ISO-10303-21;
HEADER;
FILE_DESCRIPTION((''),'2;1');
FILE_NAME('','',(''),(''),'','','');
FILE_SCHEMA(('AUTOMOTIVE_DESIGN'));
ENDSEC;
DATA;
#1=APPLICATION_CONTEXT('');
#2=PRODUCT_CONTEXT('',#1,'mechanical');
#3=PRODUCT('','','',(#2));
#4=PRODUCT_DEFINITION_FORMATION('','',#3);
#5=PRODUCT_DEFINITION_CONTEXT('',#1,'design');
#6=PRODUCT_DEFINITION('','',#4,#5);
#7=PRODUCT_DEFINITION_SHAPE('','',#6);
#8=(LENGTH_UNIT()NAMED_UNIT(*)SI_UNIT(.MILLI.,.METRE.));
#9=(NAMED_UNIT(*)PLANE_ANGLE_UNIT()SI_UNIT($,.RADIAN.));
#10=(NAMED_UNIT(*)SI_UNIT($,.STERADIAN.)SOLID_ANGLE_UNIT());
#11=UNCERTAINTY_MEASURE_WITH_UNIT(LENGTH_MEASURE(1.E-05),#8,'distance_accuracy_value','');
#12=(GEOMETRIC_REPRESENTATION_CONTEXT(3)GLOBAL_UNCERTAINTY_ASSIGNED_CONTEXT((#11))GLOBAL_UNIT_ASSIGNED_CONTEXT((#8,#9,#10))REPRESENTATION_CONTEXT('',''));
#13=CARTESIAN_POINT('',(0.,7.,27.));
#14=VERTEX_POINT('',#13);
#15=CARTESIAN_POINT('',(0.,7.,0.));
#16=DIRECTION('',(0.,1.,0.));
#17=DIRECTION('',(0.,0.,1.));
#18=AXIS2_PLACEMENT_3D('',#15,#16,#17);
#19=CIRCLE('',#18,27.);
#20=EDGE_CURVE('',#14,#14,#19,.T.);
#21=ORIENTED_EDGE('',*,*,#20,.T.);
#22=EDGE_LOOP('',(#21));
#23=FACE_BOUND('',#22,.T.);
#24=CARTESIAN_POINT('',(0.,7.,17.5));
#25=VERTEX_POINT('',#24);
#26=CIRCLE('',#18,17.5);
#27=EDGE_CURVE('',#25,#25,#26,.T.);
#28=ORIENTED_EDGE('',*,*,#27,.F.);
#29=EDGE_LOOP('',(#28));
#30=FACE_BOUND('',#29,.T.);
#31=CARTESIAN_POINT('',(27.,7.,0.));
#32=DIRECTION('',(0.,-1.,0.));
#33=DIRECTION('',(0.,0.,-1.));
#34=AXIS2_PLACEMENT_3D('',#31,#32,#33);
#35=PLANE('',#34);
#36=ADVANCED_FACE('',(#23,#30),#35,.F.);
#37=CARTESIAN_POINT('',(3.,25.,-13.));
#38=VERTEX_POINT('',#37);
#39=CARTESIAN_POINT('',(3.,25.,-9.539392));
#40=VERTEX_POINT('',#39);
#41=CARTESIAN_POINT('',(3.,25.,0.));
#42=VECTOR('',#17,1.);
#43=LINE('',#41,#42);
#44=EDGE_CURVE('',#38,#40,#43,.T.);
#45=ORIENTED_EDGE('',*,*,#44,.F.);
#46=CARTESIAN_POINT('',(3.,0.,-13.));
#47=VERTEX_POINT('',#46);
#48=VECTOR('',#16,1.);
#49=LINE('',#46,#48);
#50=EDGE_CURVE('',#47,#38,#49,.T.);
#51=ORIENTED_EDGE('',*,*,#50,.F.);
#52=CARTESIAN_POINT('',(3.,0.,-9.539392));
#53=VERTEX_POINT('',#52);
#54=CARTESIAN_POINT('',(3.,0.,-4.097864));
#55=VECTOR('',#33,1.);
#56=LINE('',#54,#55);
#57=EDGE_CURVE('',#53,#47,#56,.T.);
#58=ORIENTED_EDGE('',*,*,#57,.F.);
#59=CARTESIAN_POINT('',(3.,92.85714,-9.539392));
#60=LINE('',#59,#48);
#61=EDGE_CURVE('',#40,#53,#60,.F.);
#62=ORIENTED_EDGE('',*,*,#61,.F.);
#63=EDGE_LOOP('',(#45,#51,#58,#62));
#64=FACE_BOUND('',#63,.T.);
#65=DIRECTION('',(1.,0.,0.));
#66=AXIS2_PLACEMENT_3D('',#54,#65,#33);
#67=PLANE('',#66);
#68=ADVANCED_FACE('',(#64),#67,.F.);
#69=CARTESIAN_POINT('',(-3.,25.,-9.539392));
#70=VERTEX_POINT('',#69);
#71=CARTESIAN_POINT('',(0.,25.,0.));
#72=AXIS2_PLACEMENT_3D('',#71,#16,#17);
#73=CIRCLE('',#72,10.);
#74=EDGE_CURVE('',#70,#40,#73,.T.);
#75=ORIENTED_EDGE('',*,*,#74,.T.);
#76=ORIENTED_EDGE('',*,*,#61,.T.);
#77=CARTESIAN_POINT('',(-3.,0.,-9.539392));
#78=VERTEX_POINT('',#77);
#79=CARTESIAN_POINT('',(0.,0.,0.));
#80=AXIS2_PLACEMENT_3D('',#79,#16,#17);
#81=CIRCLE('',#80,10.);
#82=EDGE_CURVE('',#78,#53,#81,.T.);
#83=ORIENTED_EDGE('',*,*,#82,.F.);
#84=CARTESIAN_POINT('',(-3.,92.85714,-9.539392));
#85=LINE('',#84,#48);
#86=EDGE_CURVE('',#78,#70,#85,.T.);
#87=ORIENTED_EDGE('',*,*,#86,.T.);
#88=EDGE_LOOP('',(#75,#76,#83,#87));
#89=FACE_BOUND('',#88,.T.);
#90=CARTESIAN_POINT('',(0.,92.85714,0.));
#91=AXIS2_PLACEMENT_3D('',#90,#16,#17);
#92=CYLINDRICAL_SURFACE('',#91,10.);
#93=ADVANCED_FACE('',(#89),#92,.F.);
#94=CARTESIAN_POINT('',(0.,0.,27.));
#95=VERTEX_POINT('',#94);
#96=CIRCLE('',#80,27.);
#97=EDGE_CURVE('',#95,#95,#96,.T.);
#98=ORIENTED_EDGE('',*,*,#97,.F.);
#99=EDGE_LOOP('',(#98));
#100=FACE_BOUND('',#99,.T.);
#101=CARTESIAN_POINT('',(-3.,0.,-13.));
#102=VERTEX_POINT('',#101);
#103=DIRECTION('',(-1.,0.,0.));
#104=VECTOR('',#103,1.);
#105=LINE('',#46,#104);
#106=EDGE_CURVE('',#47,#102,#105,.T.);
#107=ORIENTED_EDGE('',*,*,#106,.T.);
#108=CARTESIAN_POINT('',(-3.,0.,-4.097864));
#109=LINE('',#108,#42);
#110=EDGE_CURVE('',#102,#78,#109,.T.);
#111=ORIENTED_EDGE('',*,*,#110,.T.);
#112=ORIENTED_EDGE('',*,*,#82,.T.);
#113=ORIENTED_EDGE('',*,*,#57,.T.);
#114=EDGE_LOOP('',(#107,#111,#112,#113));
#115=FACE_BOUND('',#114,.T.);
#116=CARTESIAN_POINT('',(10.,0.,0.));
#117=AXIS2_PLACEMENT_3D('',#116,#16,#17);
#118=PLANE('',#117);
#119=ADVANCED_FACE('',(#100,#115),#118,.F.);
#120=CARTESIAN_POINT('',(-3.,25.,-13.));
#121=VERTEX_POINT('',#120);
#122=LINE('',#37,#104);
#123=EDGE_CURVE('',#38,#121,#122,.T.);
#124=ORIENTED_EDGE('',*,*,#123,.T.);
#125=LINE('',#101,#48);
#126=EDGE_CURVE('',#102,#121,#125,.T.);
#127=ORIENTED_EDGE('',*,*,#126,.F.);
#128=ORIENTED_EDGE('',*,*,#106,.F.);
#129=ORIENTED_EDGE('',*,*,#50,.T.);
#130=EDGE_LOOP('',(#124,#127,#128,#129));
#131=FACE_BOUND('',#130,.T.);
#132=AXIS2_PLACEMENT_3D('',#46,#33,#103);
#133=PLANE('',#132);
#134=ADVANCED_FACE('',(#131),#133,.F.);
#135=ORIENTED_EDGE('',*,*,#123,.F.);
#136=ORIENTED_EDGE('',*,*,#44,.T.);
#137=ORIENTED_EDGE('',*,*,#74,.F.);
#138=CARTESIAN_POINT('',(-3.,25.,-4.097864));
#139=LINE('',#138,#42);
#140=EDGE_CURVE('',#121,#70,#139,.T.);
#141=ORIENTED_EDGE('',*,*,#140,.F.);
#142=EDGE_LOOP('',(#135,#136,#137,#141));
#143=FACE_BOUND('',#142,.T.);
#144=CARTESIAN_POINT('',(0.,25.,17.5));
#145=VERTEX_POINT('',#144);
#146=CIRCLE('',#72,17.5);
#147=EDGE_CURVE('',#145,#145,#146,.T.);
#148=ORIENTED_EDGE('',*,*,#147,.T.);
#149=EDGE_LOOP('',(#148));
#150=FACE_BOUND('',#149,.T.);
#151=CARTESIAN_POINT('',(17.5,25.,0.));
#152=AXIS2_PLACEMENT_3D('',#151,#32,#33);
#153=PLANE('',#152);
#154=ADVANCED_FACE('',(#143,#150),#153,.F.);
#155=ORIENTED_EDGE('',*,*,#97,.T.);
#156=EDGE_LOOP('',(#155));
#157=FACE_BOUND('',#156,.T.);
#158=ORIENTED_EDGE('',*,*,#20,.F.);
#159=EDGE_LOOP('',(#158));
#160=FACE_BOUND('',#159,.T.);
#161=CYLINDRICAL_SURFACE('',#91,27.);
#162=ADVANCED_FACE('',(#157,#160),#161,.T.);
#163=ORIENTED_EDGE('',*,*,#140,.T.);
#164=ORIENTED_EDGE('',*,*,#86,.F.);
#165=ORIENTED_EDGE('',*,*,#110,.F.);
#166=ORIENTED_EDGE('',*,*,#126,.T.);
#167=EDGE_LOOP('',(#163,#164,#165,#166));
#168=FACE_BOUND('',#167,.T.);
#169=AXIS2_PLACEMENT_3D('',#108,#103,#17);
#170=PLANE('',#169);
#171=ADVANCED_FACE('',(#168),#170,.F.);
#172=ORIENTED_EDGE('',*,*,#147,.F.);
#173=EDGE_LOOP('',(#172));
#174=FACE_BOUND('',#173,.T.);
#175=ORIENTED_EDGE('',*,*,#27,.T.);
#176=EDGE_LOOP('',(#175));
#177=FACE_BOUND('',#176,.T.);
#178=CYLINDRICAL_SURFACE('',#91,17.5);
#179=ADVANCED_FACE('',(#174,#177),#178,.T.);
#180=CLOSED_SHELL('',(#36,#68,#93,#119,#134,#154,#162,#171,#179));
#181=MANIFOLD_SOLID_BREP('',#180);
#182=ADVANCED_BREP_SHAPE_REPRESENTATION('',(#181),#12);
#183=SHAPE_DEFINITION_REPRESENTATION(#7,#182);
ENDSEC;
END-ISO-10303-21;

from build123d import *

# Parameters (mm, degrees)
SKETCH_2_W          = 6
SKETCH_2_H          = 8.902136115
CUT_EXTRUDE_1_DEPTH = 46.639894829


with BuildPart() as part:
    # 草图1 → 旋转1 (revolve)
    with BuildSketch(Plane.XY, mode=Mode.PRIVATE) as revolve_1_sk:
        Polygon((10, 0), (27, 0), (27, 7), (17.5, 7), (17.5, 25), (10, 25), align=None)
    revolve(revolve_1_sk.sketch.rotate(Axis((0, 92.857139703, 0), (0, -1, 0)), 90), axis=Axis((0, 92.857139703, 0), (0, -1, 0)))

    # 草图2 → 切除-拉伸1 (cut, through all)
    with BuildSketch(Plane(origin=(0, 25, 0), x_dir=(1, 0, 0), z_dir=(0, 1, 0))):
        with Locations((0, 8.548931943)):
            Rectangle(SKETCH_2_W, SKETCH_2_H)
    extrude(amount=-CUT_EXTRUDE_1_DEPTH, mode=Mode.SUBTRACT)


solid = part.part
